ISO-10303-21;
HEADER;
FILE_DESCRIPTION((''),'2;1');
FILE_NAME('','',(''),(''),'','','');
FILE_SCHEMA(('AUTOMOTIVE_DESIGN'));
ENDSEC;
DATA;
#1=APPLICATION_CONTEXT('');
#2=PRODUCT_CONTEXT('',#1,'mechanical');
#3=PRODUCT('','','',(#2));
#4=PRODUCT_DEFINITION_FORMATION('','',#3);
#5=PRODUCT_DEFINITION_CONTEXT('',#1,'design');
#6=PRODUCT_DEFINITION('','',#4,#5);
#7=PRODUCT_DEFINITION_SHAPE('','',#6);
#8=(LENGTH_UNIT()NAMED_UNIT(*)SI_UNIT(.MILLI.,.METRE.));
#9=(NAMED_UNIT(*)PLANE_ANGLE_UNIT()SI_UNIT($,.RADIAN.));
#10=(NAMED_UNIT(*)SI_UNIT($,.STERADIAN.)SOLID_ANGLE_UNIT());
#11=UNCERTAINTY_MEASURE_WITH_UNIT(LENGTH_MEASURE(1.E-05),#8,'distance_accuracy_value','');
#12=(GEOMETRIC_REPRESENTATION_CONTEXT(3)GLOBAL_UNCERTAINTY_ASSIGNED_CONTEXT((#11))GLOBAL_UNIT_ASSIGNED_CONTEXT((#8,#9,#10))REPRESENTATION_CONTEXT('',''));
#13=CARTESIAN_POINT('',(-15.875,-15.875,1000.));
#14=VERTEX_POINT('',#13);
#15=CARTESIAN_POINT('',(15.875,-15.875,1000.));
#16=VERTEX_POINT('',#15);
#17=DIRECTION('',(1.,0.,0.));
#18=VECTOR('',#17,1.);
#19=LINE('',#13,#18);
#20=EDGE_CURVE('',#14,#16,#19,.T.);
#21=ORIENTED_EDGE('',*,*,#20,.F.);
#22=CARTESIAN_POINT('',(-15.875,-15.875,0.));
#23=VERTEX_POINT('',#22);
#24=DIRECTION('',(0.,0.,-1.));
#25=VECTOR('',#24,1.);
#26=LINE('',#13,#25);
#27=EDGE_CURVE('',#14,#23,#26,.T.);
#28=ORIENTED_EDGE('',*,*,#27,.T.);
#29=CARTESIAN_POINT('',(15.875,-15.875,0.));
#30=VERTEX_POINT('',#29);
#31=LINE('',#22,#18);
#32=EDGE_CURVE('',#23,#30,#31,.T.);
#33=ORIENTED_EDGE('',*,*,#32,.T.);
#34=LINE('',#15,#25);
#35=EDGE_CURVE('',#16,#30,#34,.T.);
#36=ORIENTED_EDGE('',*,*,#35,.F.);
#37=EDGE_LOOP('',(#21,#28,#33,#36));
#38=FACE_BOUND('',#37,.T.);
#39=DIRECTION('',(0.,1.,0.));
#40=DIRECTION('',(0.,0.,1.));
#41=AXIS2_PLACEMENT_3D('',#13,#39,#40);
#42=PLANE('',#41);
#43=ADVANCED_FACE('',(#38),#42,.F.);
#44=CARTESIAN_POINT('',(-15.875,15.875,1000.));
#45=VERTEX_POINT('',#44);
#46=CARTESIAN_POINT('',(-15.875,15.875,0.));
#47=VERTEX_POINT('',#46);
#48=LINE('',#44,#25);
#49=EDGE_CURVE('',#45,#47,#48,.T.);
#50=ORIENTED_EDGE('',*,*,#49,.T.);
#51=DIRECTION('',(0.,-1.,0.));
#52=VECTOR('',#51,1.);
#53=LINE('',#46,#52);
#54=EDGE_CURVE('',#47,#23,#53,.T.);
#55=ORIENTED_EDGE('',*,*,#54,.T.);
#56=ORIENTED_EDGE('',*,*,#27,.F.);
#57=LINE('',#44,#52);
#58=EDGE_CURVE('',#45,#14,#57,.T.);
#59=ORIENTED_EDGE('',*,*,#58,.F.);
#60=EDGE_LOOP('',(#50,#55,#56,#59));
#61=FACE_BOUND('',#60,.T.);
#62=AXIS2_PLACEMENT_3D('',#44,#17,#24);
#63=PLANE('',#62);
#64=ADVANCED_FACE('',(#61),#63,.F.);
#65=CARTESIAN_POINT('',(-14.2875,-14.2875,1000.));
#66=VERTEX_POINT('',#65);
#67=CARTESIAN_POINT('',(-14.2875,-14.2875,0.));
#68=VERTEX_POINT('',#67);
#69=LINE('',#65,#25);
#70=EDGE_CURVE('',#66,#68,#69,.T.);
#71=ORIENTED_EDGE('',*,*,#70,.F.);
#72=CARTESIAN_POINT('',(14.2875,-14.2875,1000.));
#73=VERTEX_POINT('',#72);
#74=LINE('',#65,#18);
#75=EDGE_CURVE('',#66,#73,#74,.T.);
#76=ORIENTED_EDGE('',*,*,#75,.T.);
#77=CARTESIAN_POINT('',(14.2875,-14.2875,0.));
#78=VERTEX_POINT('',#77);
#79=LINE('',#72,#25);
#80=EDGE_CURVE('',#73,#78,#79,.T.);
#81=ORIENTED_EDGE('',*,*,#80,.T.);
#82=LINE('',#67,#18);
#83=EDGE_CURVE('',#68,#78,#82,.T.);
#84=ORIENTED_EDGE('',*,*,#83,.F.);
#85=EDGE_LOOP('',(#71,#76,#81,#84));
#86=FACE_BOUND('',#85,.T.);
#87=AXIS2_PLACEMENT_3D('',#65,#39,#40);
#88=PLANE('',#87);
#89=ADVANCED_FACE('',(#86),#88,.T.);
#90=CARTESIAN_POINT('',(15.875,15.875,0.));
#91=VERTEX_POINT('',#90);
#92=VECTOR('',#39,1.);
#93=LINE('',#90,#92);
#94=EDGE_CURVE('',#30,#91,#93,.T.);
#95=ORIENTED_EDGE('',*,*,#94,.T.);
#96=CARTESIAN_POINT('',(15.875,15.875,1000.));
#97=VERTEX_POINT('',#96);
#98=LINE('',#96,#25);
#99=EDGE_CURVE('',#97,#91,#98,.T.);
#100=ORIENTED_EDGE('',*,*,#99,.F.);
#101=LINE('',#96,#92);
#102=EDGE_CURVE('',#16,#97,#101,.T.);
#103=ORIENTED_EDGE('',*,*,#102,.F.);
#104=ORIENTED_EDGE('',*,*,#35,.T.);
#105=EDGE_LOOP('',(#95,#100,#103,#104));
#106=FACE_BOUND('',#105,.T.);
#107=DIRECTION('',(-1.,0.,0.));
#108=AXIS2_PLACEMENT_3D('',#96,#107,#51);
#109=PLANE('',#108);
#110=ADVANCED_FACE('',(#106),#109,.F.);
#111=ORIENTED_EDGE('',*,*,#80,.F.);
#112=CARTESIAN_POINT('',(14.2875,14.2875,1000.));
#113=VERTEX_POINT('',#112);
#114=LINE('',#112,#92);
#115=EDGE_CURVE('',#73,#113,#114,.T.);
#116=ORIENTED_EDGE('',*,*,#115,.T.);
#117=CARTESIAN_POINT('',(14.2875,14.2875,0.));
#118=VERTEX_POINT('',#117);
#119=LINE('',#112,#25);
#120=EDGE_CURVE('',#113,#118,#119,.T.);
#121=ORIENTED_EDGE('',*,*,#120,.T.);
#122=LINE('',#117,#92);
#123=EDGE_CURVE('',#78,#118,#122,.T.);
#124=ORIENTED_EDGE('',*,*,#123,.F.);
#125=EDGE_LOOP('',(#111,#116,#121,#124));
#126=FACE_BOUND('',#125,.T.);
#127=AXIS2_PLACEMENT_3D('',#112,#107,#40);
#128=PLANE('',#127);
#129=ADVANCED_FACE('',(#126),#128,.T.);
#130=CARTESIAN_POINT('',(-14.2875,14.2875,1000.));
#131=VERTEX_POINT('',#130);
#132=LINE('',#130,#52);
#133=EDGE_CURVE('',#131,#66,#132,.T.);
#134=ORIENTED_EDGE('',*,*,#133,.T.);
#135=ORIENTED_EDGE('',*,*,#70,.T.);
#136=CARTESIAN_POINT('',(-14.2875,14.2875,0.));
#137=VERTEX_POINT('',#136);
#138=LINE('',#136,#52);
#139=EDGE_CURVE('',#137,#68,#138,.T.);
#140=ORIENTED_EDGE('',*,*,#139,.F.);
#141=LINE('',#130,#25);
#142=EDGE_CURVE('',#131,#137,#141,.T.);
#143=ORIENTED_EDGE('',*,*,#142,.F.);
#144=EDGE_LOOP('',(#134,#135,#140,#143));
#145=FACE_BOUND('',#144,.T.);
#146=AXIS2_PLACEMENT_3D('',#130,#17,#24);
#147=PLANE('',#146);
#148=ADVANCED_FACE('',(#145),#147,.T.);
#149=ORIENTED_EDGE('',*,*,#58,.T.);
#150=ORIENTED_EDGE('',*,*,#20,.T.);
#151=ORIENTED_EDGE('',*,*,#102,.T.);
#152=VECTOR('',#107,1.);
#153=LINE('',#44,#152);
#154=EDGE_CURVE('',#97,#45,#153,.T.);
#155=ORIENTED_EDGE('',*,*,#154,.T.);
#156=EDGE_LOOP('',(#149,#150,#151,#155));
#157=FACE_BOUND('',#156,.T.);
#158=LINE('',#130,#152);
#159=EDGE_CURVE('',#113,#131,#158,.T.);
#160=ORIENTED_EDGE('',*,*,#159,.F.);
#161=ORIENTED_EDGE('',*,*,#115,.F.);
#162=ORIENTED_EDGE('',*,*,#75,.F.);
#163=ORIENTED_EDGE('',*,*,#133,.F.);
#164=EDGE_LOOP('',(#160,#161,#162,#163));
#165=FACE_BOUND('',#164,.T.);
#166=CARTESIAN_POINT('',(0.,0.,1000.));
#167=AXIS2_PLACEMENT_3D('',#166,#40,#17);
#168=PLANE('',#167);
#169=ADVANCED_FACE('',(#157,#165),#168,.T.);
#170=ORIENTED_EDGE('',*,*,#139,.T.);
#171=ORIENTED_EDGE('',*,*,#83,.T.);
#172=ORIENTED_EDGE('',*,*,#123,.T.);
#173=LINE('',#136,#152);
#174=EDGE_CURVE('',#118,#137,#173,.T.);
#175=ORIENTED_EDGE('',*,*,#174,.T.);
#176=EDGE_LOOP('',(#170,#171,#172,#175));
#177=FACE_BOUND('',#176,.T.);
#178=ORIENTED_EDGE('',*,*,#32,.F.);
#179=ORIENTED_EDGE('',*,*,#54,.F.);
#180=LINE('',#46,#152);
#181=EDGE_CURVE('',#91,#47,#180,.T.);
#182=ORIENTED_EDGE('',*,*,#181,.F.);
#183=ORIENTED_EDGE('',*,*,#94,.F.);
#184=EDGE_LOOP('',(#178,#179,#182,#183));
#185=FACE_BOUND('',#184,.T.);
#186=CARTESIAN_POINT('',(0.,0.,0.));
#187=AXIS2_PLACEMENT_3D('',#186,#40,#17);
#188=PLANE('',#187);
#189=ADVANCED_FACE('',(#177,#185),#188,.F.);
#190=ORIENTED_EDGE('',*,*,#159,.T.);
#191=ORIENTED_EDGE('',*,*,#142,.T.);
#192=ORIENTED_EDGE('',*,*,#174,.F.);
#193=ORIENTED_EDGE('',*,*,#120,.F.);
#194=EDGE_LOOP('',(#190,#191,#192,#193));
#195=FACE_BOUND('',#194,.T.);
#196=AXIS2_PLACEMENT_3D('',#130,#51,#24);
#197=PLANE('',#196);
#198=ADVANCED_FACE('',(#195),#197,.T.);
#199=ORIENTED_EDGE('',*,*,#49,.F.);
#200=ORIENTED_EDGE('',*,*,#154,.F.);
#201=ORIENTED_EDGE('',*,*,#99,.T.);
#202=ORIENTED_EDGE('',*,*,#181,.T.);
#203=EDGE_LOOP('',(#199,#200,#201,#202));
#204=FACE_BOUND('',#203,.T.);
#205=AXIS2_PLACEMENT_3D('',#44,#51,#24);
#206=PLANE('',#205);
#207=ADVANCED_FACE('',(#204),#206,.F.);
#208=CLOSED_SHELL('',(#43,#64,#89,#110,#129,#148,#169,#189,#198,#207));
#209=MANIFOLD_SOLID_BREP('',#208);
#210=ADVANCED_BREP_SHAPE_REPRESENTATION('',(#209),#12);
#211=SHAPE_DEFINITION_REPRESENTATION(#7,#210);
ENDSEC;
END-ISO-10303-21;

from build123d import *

# Parameters (mm, degrees)
SKETCH1_W           = 31.75
SKETCH1_H           = 31.75
SKETCH1_W_2         = 28.575
SKETCH1_H_2         = 28.575
BOSS_EXTRUDE1_DEPTH = 1000


with BuildPart() as part:
    # Sketch1 → Boss-Extrude1 (new body)
    with BuildSketch(Plane.XY):
        Rectangle(SKETCH1_W, SKETCH1_H)
        Rectangle(SKETCH1_W_2, SKETCH1_H_2, mode=Mode.SUBTRACT)
    extrude(amount=BOSS_EXTRUDE1_DEPTH)


solid = part.part
